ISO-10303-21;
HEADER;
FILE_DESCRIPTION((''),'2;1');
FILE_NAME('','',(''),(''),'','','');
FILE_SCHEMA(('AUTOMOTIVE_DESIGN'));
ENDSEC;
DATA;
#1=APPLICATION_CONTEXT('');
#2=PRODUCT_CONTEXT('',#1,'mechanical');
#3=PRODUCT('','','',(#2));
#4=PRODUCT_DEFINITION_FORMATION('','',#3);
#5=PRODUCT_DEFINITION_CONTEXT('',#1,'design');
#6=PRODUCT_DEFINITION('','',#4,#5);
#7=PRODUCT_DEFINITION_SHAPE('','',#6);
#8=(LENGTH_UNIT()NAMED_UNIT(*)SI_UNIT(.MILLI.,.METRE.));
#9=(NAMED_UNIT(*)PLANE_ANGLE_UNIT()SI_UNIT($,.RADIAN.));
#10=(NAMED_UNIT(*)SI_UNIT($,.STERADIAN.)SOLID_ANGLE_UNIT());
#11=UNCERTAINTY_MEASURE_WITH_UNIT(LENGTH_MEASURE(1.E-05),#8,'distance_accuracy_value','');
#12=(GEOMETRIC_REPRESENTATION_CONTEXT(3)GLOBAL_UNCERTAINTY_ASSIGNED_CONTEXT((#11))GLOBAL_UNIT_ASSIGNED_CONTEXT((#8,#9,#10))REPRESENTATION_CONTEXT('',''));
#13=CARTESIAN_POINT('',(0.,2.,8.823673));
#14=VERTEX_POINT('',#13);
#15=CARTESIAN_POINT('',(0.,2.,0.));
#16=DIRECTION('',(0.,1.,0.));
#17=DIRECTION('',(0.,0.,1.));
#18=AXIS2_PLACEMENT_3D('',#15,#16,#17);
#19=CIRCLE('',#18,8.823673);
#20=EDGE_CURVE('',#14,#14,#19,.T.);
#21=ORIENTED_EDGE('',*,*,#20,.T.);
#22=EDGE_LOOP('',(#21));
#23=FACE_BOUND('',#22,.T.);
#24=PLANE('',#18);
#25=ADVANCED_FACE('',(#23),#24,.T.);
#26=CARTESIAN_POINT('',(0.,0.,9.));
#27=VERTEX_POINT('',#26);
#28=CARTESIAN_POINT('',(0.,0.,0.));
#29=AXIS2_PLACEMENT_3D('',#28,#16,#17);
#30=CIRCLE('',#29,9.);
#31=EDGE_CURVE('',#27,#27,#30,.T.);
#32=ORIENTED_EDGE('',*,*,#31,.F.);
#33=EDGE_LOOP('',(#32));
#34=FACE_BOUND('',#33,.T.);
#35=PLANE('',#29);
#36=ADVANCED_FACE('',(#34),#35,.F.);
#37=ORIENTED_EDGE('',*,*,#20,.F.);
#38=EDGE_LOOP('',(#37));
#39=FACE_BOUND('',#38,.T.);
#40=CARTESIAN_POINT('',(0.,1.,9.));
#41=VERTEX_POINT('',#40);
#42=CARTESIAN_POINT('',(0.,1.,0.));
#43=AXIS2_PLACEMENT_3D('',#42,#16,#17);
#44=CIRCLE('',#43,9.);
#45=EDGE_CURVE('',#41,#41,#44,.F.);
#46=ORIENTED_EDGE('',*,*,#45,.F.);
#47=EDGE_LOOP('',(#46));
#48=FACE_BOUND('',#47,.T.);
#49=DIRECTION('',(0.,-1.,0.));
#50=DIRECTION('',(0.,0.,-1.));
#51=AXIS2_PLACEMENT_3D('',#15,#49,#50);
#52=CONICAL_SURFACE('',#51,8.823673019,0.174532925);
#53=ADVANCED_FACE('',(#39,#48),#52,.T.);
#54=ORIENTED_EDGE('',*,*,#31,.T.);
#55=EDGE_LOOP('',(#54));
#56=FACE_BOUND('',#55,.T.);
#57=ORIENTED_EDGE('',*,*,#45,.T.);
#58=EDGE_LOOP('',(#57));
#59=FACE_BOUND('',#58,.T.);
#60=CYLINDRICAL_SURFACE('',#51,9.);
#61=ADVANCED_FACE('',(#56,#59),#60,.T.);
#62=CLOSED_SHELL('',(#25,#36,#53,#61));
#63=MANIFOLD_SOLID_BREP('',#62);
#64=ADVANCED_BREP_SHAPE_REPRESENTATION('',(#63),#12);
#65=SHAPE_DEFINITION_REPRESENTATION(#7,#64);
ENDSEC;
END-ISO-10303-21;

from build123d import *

# Parameters (mm, degrees)
SKETCH_1_R      = 9
EXTRUDE_1_DEPTH = 2
CHAMFER_1_SIZE  = 1
CHAMFER_1_SIZE2 = 0.176326981


with BuildPart() as part:
    # 草图1 → 凸台-拉伸1 (new body)
    with BuildSketch(Plane(origin=(0, 0, 0), x_dir=(1, 0, 0), z_dir=(0, 1, 0))):
        with Locations(Location((0, 0, 0), (0, 0, 270))):
            Circle(SKETCH_1_R)
    extrude(amount=EXTRUDE_1_DEPTH)

    # 倒角1
    chamfer_1_edges = [part.edges().sort_by_distance(p)[0] for p in [
        (0, 2, -9),
    ]]
    chamfer_1_side = [part.faces().sort_by_distance(p)[0] for p in [
        (0, 1, -9),
    ]]
    chamfer(chamfer_1_edges, length=CHAMFER_1_SIZE, length2=CHAMFER_1_SIZE2, reference=chamfer_1_side[0])


solid = part.part
